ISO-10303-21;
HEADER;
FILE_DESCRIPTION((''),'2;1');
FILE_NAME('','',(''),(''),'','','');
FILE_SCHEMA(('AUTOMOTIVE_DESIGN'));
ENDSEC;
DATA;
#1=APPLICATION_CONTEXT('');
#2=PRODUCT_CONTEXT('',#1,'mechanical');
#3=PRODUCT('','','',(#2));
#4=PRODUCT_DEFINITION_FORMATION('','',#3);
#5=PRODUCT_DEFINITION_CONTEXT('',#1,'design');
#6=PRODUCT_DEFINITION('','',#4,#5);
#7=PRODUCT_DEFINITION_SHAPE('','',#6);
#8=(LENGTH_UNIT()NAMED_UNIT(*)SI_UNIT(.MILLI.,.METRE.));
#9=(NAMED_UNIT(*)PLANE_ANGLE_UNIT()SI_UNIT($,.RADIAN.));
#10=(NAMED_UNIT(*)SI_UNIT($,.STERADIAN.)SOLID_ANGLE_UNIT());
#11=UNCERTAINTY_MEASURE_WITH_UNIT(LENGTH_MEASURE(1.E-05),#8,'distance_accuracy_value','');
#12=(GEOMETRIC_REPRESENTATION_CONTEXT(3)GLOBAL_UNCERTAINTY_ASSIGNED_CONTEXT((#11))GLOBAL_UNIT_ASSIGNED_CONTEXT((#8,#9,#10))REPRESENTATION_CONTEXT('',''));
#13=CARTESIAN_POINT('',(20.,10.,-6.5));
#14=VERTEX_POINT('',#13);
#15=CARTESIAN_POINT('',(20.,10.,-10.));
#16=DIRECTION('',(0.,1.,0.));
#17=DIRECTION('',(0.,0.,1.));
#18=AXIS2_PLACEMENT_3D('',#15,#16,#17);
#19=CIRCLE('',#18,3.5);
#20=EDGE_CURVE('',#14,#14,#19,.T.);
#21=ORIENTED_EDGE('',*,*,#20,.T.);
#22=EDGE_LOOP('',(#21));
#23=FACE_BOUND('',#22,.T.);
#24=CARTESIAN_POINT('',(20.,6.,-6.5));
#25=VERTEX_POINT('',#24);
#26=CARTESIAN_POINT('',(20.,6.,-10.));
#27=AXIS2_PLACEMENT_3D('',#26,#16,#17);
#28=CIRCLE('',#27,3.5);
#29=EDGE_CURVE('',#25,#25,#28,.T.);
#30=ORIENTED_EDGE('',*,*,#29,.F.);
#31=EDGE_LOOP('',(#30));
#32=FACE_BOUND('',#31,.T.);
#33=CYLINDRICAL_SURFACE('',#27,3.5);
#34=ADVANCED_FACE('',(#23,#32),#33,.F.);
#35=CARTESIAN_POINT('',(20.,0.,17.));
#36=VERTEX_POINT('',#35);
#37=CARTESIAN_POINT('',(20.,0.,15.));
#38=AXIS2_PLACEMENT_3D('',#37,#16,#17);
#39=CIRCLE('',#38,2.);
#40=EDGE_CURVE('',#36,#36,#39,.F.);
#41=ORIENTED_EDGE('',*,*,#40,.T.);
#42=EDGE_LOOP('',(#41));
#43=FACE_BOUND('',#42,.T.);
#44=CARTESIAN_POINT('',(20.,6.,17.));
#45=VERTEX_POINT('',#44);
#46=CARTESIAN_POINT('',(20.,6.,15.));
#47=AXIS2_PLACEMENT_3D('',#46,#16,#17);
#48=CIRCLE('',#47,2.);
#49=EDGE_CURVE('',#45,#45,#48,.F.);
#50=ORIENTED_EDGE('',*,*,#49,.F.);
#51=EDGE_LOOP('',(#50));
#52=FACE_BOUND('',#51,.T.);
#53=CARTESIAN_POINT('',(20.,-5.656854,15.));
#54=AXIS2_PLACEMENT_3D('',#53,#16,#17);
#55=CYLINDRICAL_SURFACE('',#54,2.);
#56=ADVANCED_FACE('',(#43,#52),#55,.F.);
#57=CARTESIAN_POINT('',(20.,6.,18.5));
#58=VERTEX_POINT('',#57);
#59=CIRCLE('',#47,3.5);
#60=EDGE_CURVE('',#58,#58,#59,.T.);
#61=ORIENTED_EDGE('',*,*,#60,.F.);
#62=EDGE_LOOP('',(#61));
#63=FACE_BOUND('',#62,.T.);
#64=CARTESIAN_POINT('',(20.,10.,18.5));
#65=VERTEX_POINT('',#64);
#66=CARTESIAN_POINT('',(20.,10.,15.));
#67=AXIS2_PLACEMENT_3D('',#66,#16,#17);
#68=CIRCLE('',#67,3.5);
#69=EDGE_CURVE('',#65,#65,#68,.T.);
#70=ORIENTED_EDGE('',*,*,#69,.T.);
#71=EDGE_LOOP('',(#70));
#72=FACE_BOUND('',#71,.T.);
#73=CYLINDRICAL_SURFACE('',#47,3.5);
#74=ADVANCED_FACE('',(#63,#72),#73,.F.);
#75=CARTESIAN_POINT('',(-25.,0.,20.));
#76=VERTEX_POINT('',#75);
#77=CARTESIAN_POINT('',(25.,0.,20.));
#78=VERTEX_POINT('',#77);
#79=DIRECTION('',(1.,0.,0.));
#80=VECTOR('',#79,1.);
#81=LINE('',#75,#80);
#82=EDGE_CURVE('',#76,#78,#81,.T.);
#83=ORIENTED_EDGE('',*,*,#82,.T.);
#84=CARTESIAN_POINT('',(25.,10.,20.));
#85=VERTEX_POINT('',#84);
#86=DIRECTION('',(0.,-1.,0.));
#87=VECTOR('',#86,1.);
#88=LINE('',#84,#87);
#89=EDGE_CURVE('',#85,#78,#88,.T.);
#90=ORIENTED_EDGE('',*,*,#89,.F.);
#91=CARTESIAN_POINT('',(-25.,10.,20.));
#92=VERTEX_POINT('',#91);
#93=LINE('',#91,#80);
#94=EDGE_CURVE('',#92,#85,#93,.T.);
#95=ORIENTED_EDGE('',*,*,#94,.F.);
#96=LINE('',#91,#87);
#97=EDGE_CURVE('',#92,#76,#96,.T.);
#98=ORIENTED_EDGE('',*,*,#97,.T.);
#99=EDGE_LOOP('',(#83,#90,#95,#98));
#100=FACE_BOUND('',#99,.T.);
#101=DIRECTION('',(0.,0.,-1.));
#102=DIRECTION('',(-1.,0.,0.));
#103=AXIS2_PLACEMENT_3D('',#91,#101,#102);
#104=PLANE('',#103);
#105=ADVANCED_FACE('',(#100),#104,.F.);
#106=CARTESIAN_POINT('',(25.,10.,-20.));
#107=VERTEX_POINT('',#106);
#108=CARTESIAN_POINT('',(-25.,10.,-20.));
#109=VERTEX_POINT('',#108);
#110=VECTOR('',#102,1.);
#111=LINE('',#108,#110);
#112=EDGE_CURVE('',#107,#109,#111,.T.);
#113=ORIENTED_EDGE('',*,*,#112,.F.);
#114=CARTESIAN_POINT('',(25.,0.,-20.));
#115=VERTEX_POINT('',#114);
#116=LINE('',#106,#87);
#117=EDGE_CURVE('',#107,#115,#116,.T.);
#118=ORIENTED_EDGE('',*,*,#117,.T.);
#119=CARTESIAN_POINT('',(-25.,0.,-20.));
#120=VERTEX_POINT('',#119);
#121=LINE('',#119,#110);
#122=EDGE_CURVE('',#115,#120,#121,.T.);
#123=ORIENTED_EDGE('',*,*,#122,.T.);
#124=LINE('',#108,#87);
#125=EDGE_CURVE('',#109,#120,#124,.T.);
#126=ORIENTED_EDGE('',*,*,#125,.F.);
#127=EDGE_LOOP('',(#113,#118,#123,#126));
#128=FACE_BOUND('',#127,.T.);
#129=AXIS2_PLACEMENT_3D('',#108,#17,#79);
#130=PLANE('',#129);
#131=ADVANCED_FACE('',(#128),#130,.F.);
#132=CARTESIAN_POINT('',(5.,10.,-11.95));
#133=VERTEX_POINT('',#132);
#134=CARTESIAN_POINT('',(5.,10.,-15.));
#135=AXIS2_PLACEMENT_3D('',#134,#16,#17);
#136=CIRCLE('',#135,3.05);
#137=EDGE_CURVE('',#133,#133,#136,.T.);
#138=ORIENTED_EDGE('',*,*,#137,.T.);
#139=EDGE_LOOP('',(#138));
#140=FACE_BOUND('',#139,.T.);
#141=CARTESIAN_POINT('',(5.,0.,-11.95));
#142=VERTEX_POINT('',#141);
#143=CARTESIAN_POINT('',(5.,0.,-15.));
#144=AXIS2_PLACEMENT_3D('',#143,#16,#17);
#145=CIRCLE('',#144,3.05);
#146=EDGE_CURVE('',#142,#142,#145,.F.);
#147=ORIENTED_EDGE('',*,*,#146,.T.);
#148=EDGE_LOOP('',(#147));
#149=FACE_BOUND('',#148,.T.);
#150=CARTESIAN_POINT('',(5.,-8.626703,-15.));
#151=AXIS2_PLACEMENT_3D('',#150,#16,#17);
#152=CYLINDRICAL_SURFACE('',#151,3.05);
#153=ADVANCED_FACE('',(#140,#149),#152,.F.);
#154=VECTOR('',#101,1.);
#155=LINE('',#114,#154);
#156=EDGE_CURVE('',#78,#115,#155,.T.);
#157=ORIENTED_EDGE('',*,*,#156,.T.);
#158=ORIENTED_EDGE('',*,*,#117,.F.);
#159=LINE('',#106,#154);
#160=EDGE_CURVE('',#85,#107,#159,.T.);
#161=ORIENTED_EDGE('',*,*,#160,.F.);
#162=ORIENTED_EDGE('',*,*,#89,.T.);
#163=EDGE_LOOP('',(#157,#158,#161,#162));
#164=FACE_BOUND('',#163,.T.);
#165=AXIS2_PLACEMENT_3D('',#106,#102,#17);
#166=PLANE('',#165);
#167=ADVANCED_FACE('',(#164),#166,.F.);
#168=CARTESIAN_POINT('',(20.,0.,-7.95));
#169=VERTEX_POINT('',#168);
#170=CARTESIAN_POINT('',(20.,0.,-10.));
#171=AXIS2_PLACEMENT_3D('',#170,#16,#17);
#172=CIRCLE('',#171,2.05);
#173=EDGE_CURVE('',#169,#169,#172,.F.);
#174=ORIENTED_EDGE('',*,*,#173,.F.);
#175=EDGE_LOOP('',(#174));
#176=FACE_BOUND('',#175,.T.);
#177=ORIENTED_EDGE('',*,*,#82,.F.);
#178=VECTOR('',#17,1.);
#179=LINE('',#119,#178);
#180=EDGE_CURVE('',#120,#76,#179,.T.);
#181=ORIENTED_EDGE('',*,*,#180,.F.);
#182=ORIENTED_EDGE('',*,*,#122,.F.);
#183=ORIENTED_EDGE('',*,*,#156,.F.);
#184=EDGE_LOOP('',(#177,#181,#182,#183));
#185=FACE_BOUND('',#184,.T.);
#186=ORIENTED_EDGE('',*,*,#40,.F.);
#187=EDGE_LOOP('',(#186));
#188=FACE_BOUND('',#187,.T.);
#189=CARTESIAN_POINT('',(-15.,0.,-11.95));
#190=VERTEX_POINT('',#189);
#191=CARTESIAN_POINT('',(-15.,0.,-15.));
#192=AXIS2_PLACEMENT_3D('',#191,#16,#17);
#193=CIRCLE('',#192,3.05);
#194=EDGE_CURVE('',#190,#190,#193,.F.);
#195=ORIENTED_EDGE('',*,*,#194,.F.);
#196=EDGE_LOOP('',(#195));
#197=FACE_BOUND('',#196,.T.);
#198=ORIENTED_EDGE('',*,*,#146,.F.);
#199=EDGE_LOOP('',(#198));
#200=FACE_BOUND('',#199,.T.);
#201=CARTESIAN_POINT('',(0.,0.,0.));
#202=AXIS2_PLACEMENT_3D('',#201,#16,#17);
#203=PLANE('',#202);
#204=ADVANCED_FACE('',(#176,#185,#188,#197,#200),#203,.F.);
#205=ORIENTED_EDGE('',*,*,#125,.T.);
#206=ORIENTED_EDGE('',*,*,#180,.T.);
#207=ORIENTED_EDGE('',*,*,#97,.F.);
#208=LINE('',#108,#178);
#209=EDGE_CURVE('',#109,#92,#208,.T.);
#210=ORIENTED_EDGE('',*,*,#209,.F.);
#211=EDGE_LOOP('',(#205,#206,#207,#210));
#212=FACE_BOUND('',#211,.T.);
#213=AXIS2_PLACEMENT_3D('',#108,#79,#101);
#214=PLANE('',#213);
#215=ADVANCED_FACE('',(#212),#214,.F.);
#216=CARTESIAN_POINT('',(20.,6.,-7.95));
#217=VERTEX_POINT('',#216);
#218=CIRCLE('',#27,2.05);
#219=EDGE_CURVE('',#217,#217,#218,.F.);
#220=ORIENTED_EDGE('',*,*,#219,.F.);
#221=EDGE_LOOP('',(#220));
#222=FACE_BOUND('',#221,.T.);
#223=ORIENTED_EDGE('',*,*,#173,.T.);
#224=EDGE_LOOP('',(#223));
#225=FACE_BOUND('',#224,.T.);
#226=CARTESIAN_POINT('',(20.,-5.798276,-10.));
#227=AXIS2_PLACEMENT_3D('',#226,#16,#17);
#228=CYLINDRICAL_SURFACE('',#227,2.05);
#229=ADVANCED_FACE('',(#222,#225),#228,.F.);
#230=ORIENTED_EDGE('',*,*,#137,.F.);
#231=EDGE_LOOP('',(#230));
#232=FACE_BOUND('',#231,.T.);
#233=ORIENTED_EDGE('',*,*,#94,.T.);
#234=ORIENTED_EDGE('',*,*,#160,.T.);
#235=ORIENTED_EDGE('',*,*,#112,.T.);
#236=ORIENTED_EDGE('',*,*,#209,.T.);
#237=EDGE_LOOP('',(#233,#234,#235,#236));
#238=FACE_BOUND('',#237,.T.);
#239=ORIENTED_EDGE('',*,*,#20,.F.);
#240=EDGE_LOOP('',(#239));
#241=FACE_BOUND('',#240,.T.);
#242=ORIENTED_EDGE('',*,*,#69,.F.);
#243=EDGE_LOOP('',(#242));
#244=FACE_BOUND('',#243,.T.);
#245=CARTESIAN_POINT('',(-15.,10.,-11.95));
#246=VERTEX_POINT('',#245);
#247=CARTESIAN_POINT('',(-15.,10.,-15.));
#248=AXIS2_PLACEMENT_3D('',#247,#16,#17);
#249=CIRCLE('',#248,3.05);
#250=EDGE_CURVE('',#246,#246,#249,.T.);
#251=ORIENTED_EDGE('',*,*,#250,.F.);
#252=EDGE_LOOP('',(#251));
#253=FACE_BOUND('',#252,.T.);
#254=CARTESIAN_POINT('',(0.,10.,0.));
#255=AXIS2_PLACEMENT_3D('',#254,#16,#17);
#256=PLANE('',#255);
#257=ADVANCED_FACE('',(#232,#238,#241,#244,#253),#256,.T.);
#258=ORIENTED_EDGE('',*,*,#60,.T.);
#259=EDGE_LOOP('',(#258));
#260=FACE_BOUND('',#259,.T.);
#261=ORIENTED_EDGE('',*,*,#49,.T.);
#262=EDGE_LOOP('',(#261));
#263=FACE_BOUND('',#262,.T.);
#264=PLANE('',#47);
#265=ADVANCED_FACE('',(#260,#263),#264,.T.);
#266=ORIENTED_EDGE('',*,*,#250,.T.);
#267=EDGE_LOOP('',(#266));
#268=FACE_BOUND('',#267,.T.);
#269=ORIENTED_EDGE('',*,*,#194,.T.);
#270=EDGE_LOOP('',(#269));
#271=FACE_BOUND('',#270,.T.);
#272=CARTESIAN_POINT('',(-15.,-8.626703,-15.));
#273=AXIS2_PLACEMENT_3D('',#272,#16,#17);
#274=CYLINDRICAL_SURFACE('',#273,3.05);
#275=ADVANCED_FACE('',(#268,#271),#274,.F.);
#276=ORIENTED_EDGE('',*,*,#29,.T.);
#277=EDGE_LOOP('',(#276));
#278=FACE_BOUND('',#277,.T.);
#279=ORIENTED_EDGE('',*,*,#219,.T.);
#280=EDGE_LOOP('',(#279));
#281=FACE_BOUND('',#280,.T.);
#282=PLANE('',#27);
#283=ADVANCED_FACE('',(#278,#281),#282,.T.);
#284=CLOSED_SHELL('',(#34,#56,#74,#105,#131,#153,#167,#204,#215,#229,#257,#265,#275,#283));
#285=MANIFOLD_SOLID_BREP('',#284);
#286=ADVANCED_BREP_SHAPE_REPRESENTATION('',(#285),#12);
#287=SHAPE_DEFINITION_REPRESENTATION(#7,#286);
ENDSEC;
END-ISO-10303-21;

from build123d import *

# Parameters (mm, degrees)
SKETCH1_W           = 50
SKETCH1_H           = 40
BOSS_EXTRUDE1_DEPTH = 10
SKETCH2_R           = 2.05
CUT_EXTRUDE1_DEPTH  = 10
SKETCH4_R           = 3.05
CUT_EXTRUDE2_DEPTH  = 10
SKETCH5_R           = 2
CUT_EXTRUDE3_DEPTH  = 10
SKETCH6_R           = 3.5
CUT_EXTRUDE4_DEPTH  = 4
SKETCH7_R           = 3.5
CUT_EXTRUDE5_DEPTH  = 4


with BuildPart() as part:
    # Sketch1 → Boss-Extrude1 (new body)
    with BuildSketch(Plane(origin=(0, 0, 0), x_dir=(1, 0, 0), z_dir=(0, 1, 0))):
        Rectangle(SKETCH1_W, SKETCH1_H)
    extrude(amount=BOSS_EXTRUDE1_DEPTH)

    # Sketch2 → Cut-Extrude1 (cut)
    with BuildSketch(Plane(origin=(0, 10, 0), x_dir=(1, 0, 0), z_dir=(0, 1, 0))):
        with Locations((20, 10)):
            Circle(SKETCH2_R)
    extrude(amount=-CUT_EXTRUDE1_DEPTH, mode=Mode.SUBTRACT)

    # Sketch4 → Cut-Extrude2 (cut)
    with BuildSketch(Plane(origin=(0, 10, 0), x_dir=(1, 0, 0), z_dir=(0, 1, 0))):
        with Locations((-15, 15)):
            Circle(SKETCH4_R)
        with Locations((5, 15)):
            Circle(SKETCH4_R)
    extrude(amount=-CUT_EXTRUDE2_DEPTH, mode=Mode.SUBTRACT)

    # Sketch5 → Cut-Extrude3 (cut)
    with BuildSketch(Plane(origin=(0, 10, 0), x_dir=(1, 0, 0), z_dir=(0, 1, 0))):
        with Locations((20, -15)):
            Circle(SKETCH5_R)
    extrude(amount=-CUT_EXTRUDE3_DEPTH, mode=Mode.SUBTRACT)

    # Sketch6 → Cut-Extrude4 (cut)
    with BuildSketch(Plane(origin=(0, 10, 0), x_dir=(1, 0, 0), z_dir=(0, 1, 0))):
        with Locations((20, 10)):
            Circle(SKETCH6_R)
    extrude(amount=-CUT_EXTRUDE4_DEPTH, mode=Mode.SUBTRACT)

    # Sketch7 → Cut-Extrude5 (cut)
    with BuildSketch(Plane(origin=(0, 10, 0), x_dir=(1, 0, 0), z_dir=(0, 1, 0))):
        with Locations((20, -15)):
            Circle(SKETCH7_R)
    extrude(amount=-CUT_EXTRUDE5_DEPTH, mode=Mode.SUBTRACT)


solid = part.part
